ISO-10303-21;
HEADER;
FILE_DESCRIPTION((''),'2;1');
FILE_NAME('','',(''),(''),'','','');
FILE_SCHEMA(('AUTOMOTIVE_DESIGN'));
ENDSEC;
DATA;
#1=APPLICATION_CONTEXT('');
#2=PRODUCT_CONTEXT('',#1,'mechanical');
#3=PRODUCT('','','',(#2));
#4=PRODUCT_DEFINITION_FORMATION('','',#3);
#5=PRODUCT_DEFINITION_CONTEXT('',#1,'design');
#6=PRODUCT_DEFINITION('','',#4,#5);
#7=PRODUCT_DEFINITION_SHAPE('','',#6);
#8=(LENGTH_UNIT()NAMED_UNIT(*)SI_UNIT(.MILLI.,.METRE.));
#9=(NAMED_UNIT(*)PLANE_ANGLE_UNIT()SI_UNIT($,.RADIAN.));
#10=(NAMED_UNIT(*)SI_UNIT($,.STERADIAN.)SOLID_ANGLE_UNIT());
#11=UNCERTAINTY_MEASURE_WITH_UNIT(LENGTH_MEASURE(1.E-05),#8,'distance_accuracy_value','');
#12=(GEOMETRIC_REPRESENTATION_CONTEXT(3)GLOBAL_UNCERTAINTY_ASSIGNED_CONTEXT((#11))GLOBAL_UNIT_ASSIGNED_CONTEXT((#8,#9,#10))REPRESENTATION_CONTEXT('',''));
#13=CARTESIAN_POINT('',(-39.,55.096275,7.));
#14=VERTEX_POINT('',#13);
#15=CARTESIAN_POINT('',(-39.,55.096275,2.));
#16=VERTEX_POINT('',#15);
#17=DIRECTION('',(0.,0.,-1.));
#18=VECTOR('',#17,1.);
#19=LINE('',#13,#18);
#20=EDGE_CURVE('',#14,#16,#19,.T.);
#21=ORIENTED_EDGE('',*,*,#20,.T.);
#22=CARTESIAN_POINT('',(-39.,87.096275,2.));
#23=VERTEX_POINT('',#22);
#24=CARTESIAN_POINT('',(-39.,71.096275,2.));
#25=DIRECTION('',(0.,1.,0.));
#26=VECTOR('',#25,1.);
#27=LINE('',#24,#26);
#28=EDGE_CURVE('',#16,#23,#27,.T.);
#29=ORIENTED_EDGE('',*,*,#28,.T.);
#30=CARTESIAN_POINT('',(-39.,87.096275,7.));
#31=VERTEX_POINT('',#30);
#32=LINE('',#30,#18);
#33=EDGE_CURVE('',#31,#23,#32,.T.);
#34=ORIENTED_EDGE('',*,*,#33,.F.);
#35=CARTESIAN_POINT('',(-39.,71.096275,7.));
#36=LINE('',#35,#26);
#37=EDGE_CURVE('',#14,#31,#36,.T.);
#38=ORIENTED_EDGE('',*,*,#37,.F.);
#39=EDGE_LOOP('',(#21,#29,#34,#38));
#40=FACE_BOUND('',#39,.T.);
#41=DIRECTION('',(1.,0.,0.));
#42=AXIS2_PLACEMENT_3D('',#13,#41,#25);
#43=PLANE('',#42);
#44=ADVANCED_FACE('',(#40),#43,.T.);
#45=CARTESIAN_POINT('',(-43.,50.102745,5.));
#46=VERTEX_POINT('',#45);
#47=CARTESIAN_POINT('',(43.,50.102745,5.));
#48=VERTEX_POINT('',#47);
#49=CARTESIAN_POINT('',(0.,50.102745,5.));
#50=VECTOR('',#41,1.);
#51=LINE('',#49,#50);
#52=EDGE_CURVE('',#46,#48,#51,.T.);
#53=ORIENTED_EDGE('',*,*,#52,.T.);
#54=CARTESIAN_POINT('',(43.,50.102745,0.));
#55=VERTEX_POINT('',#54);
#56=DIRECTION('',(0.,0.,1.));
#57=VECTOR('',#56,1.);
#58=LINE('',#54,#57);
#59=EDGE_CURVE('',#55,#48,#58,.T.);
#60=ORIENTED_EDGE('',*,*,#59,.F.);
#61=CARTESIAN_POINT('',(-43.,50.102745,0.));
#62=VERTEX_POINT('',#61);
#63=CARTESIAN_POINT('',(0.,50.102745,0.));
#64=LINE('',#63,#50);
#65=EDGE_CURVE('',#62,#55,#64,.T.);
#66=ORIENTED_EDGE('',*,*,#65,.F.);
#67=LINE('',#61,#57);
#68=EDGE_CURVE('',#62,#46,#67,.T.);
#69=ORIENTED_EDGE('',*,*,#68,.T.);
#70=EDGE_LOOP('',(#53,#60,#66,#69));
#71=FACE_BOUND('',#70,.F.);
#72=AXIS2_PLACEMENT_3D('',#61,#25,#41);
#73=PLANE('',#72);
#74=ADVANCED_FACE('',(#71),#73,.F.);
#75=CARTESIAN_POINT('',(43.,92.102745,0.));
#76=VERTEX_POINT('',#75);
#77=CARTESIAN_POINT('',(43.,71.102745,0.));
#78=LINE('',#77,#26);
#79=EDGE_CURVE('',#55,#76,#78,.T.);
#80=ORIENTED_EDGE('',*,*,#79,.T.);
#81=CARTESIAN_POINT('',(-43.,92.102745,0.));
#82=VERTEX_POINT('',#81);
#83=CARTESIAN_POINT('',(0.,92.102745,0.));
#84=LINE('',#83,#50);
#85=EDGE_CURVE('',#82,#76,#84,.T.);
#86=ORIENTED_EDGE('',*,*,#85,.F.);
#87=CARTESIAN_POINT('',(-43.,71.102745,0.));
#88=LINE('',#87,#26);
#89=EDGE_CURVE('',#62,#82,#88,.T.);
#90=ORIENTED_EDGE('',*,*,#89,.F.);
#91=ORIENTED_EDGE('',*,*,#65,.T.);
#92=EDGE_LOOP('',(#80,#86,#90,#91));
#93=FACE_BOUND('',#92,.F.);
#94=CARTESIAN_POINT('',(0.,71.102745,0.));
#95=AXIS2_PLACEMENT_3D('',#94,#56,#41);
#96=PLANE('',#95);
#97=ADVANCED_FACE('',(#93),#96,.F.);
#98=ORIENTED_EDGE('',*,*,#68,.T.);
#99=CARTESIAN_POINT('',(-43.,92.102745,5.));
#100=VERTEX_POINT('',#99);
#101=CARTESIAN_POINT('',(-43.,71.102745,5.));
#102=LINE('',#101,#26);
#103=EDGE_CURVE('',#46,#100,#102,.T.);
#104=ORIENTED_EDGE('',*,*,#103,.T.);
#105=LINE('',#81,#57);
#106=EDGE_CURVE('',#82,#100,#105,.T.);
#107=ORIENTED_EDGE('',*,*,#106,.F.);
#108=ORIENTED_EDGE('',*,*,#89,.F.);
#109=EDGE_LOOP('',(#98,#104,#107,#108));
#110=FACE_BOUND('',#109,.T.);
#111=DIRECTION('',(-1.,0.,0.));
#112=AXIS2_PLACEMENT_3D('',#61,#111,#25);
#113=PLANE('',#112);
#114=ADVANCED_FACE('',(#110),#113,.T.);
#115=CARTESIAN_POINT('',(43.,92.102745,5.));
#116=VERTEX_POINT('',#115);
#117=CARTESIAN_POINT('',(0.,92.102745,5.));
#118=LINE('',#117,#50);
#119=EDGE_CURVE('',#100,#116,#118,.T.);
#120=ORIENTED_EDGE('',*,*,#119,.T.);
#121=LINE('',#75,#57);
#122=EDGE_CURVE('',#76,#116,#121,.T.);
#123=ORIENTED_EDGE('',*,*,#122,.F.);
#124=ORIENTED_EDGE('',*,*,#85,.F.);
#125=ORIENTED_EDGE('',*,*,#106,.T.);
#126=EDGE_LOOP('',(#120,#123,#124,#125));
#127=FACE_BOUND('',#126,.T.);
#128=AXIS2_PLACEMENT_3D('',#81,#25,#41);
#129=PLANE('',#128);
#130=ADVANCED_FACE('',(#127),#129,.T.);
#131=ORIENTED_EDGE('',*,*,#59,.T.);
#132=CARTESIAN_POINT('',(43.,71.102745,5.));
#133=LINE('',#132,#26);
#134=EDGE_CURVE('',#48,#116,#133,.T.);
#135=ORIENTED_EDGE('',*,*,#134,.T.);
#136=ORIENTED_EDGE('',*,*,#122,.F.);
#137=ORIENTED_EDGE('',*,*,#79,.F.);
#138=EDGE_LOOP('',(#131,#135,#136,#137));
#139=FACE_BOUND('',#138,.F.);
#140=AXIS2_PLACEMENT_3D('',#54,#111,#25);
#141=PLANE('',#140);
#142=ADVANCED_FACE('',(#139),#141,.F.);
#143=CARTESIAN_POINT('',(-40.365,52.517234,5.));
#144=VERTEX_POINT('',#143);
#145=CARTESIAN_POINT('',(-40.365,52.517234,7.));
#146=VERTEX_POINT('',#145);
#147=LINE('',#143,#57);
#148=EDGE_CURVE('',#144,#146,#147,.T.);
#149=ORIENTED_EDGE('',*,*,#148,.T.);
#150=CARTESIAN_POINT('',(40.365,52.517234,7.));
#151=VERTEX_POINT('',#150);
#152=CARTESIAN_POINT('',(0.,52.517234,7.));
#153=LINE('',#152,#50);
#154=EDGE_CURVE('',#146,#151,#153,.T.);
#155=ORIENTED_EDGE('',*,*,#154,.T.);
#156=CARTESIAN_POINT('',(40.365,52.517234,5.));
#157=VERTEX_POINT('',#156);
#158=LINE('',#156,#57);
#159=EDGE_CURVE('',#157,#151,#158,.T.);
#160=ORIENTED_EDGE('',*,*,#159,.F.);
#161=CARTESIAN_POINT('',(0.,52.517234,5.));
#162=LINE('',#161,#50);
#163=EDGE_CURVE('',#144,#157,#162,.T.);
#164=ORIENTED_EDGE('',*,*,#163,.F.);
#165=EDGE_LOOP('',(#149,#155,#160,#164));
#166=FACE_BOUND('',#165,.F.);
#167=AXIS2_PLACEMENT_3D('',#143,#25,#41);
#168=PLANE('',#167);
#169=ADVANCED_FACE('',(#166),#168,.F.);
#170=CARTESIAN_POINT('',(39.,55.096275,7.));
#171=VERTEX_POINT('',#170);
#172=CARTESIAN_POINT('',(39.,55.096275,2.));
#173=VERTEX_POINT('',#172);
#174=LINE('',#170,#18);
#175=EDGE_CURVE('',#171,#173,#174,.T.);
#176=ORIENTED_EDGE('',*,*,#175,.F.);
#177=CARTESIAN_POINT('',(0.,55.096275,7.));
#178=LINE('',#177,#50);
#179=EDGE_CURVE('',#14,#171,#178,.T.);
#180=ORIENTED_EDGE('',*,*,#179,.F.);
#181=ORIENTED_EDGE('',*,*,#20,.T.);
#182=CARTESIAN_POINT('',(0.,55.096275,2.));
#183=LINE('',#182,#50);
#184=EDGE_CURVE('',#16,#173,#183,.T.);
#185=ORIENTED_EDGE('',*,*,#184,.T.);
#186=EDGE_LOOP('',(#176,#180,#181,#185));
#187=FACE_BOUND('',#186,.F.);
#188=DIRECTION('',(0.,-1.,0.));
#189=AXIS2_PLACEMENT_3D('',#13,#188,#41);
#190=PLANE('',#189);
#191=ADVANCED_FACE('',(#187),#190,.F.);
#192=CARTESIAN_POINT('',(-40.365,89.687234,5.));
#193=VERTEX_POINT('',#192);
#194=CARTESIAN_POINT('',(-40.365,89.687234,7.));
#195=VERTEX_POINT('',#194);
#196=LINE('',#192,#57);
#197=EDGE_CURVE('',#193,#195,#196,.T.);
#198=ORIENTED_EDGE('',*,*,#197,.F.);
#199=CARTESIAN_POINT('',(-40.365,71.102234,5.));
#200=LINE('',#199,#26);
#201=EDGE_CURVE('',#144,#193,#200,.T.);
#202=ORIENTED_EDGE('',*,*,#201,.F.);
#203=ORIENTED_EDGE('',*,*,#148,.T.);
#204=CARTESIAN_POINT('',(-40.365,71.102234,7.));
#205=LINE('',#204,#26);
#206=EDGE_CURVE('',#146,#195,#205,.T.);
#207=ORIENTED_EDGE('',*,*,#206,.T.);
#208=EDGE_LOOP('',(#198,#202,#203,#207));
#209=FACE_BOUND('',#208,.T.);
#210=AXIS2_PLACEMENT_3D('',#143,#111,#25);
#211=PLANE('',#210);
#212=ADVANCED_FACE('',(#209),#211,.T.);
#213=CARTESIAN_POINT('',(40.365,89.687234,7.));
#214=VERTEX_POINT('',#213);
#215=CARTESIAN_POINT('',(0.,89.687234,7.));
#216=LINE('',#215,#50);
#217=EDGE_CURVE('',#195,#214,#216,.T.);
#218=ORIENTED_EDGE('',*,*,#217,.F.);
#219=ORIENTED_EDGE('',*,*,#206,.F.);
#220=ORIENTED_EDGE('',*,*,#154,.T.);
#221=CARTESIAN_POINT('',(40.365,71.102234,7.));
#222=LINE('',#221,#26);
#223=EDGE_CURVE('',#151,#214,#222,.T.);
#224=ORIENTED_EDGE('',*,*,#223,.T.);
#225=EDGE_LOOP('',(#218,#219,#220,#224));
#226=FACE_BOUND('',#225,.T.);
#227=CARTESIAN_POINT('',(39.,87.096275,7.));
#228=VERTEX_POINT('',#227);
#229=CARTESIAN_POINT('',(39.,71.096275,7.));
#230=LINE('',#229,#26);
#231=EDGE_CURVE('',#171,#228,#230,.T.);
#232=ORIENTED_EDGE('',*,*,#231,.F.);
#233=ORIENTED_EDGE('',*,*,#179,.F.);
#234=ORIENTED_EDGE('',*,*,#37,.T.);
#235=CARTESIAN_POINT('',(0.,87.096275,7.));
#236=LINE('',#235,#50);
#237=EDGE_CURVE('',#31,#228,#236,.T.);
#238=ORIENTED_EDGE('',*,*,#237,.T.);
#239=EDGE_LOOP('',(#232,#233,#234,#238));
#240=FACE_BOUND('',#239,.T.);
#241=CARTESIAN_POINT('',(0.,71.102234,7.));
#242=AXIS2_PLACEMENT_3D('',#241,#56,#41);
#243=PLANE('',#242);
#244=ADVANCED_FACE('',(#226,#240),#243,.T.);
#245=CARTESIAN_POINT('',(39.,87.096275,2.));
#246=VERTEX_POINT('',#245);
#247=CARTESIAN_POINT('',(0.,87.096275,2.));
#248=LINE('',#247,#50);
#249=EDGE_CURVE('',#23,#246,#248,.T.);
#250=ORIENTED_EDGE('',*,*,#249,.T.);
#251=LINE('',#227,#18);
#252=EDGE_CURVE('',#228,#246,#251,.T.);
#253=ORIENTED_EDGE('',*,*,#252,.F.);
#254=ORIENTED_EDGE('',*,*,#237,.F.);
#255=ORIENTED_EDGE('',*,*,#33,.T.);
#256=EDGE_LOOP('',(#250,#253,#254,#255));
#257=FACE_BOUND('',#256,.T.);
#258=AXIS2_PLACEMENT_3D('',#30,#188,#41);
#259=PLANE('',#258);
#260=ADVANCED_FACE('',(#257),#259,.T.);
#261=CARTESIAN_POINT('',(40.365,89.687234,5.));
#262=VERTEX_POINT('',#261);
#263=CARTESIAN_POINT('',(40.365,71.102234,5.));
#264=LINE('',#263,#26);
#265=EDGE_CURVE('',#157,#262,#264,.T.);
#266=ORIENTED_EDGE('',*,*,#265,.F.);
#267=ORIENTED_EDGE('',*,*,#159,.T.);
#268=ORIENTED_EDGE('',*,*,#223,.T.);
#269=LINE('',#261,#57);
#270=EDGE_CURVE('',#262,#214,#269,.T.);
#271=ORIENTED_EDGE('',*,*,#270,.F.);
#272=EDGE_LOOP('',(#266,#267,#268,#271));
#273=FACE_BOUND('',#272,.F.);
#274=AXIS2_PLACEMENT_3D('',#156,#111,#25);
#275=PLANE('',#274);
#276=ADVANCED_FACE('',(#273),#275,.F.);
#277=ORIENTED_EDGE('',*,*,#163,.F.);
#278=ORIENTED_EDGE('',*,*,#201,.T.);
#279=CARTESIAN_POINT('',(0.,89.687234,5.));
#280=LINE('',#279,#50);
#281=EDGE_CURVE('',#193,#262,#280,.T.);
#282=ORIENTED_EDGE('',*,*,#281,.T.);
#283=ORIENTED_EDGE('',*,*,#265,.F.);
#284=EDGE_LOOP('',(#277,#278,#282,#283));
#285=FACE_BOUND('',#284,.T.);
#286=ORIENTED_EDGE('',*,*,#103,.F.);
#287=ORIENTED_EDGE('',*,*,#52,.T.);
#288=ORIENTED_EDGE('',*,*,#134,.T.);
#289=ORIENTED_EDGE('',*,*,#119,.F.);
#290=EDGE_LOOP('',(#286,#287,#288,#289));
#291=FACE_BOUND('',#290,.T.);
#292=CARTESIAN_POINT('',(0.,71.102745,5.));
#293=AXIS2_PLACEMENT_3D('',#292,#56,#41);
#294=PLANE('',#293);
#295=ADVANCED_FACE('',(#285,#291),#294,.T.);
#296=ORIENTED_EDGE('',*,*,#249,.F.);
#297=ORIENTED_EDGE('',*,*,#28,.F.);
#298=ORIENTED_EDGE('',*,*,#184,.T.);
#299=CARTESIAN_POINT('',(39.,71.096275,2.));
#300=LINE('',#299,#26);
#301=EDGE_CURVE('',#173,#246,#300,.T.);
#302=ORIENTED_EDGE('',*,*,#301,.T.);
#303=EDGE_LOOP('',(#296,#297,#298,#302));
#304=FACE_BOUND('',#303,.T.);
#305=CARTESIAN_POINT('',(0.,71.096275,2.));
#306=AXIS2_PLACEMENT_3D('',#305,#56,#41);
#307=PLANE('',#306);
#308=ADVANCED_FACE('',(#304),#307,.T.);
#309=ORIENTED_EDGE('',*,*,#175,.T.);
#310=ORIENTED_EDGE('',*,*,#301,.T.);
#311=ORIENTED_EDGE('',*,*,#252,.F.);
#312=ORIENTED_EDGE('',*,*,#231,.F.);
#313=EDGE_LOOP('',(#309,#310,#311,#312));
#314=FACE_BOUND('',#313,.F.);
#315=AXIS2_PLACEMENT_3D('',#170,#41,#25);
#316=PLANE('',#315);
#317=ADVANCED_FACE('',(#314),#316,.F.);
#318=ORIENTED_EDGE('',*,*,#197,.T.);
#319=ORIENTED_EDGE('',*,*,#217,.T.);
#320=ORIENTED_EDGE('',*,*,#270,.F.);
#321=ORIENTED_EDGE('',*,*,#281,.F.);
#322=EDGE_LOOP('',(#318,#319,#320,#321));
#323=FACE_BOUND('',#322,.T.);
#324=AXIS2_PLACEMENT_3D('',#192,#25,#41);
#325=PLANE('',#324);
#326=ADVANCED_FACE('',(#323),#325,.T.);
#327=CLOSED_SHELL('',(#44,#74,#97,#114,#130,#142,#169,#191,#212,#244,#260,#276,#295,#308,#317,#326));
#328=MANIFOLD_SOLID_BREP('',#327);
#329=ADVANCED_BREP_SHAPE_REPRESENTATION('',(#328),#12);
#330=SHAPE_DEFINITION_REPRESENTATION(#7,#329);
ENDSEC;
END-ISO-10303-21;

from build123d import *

# Parameters (mm, degrees)
SKETCH010_W     = 86
SKETCH010_H     = 42
PAD004_DEPTH    = 5
SKETCH012_W     = 80.73
SKETCH012_H     = 37.17
PAD005_DEPTH    = 2
SKETCH013_W     = 78
SKETCH013_H     = 32
POCKET006_DEPTH = 5


with BuildPart() as part:
    # Sketch010 → Pad004 (new body)
    with BuildSketch(Plane.XY):
        with Locations((0, 71.102745)):
            Rectangle(SKETCH010_W, SKETCH010_H)
    extrude(amount=PAD004_DEPTH)

    # Sketch012 (on Face6 of Pad004) → Pad005 (join)
    with BuildSketch(Plane.XY.offset(5)):
        with Locations((0, 71.102234)):
            Rectangle(SKETCH012_W, SKETCH012_H)
    extrude(amount=PAD005_DEPTH)

    # Sketch013 (on Face11 of Pad005) → Pocket006 (cut)
    with BuildSketch(Plane.XY.offset(7)):
        with Locations((0, 71.096275)):
            Rectangle(SKETCH013_W, SKETCH013_H)
    extrude(amount=-POCKET006_DEPTH, mode=Mode.SUBTRACT)


solid = part.part
